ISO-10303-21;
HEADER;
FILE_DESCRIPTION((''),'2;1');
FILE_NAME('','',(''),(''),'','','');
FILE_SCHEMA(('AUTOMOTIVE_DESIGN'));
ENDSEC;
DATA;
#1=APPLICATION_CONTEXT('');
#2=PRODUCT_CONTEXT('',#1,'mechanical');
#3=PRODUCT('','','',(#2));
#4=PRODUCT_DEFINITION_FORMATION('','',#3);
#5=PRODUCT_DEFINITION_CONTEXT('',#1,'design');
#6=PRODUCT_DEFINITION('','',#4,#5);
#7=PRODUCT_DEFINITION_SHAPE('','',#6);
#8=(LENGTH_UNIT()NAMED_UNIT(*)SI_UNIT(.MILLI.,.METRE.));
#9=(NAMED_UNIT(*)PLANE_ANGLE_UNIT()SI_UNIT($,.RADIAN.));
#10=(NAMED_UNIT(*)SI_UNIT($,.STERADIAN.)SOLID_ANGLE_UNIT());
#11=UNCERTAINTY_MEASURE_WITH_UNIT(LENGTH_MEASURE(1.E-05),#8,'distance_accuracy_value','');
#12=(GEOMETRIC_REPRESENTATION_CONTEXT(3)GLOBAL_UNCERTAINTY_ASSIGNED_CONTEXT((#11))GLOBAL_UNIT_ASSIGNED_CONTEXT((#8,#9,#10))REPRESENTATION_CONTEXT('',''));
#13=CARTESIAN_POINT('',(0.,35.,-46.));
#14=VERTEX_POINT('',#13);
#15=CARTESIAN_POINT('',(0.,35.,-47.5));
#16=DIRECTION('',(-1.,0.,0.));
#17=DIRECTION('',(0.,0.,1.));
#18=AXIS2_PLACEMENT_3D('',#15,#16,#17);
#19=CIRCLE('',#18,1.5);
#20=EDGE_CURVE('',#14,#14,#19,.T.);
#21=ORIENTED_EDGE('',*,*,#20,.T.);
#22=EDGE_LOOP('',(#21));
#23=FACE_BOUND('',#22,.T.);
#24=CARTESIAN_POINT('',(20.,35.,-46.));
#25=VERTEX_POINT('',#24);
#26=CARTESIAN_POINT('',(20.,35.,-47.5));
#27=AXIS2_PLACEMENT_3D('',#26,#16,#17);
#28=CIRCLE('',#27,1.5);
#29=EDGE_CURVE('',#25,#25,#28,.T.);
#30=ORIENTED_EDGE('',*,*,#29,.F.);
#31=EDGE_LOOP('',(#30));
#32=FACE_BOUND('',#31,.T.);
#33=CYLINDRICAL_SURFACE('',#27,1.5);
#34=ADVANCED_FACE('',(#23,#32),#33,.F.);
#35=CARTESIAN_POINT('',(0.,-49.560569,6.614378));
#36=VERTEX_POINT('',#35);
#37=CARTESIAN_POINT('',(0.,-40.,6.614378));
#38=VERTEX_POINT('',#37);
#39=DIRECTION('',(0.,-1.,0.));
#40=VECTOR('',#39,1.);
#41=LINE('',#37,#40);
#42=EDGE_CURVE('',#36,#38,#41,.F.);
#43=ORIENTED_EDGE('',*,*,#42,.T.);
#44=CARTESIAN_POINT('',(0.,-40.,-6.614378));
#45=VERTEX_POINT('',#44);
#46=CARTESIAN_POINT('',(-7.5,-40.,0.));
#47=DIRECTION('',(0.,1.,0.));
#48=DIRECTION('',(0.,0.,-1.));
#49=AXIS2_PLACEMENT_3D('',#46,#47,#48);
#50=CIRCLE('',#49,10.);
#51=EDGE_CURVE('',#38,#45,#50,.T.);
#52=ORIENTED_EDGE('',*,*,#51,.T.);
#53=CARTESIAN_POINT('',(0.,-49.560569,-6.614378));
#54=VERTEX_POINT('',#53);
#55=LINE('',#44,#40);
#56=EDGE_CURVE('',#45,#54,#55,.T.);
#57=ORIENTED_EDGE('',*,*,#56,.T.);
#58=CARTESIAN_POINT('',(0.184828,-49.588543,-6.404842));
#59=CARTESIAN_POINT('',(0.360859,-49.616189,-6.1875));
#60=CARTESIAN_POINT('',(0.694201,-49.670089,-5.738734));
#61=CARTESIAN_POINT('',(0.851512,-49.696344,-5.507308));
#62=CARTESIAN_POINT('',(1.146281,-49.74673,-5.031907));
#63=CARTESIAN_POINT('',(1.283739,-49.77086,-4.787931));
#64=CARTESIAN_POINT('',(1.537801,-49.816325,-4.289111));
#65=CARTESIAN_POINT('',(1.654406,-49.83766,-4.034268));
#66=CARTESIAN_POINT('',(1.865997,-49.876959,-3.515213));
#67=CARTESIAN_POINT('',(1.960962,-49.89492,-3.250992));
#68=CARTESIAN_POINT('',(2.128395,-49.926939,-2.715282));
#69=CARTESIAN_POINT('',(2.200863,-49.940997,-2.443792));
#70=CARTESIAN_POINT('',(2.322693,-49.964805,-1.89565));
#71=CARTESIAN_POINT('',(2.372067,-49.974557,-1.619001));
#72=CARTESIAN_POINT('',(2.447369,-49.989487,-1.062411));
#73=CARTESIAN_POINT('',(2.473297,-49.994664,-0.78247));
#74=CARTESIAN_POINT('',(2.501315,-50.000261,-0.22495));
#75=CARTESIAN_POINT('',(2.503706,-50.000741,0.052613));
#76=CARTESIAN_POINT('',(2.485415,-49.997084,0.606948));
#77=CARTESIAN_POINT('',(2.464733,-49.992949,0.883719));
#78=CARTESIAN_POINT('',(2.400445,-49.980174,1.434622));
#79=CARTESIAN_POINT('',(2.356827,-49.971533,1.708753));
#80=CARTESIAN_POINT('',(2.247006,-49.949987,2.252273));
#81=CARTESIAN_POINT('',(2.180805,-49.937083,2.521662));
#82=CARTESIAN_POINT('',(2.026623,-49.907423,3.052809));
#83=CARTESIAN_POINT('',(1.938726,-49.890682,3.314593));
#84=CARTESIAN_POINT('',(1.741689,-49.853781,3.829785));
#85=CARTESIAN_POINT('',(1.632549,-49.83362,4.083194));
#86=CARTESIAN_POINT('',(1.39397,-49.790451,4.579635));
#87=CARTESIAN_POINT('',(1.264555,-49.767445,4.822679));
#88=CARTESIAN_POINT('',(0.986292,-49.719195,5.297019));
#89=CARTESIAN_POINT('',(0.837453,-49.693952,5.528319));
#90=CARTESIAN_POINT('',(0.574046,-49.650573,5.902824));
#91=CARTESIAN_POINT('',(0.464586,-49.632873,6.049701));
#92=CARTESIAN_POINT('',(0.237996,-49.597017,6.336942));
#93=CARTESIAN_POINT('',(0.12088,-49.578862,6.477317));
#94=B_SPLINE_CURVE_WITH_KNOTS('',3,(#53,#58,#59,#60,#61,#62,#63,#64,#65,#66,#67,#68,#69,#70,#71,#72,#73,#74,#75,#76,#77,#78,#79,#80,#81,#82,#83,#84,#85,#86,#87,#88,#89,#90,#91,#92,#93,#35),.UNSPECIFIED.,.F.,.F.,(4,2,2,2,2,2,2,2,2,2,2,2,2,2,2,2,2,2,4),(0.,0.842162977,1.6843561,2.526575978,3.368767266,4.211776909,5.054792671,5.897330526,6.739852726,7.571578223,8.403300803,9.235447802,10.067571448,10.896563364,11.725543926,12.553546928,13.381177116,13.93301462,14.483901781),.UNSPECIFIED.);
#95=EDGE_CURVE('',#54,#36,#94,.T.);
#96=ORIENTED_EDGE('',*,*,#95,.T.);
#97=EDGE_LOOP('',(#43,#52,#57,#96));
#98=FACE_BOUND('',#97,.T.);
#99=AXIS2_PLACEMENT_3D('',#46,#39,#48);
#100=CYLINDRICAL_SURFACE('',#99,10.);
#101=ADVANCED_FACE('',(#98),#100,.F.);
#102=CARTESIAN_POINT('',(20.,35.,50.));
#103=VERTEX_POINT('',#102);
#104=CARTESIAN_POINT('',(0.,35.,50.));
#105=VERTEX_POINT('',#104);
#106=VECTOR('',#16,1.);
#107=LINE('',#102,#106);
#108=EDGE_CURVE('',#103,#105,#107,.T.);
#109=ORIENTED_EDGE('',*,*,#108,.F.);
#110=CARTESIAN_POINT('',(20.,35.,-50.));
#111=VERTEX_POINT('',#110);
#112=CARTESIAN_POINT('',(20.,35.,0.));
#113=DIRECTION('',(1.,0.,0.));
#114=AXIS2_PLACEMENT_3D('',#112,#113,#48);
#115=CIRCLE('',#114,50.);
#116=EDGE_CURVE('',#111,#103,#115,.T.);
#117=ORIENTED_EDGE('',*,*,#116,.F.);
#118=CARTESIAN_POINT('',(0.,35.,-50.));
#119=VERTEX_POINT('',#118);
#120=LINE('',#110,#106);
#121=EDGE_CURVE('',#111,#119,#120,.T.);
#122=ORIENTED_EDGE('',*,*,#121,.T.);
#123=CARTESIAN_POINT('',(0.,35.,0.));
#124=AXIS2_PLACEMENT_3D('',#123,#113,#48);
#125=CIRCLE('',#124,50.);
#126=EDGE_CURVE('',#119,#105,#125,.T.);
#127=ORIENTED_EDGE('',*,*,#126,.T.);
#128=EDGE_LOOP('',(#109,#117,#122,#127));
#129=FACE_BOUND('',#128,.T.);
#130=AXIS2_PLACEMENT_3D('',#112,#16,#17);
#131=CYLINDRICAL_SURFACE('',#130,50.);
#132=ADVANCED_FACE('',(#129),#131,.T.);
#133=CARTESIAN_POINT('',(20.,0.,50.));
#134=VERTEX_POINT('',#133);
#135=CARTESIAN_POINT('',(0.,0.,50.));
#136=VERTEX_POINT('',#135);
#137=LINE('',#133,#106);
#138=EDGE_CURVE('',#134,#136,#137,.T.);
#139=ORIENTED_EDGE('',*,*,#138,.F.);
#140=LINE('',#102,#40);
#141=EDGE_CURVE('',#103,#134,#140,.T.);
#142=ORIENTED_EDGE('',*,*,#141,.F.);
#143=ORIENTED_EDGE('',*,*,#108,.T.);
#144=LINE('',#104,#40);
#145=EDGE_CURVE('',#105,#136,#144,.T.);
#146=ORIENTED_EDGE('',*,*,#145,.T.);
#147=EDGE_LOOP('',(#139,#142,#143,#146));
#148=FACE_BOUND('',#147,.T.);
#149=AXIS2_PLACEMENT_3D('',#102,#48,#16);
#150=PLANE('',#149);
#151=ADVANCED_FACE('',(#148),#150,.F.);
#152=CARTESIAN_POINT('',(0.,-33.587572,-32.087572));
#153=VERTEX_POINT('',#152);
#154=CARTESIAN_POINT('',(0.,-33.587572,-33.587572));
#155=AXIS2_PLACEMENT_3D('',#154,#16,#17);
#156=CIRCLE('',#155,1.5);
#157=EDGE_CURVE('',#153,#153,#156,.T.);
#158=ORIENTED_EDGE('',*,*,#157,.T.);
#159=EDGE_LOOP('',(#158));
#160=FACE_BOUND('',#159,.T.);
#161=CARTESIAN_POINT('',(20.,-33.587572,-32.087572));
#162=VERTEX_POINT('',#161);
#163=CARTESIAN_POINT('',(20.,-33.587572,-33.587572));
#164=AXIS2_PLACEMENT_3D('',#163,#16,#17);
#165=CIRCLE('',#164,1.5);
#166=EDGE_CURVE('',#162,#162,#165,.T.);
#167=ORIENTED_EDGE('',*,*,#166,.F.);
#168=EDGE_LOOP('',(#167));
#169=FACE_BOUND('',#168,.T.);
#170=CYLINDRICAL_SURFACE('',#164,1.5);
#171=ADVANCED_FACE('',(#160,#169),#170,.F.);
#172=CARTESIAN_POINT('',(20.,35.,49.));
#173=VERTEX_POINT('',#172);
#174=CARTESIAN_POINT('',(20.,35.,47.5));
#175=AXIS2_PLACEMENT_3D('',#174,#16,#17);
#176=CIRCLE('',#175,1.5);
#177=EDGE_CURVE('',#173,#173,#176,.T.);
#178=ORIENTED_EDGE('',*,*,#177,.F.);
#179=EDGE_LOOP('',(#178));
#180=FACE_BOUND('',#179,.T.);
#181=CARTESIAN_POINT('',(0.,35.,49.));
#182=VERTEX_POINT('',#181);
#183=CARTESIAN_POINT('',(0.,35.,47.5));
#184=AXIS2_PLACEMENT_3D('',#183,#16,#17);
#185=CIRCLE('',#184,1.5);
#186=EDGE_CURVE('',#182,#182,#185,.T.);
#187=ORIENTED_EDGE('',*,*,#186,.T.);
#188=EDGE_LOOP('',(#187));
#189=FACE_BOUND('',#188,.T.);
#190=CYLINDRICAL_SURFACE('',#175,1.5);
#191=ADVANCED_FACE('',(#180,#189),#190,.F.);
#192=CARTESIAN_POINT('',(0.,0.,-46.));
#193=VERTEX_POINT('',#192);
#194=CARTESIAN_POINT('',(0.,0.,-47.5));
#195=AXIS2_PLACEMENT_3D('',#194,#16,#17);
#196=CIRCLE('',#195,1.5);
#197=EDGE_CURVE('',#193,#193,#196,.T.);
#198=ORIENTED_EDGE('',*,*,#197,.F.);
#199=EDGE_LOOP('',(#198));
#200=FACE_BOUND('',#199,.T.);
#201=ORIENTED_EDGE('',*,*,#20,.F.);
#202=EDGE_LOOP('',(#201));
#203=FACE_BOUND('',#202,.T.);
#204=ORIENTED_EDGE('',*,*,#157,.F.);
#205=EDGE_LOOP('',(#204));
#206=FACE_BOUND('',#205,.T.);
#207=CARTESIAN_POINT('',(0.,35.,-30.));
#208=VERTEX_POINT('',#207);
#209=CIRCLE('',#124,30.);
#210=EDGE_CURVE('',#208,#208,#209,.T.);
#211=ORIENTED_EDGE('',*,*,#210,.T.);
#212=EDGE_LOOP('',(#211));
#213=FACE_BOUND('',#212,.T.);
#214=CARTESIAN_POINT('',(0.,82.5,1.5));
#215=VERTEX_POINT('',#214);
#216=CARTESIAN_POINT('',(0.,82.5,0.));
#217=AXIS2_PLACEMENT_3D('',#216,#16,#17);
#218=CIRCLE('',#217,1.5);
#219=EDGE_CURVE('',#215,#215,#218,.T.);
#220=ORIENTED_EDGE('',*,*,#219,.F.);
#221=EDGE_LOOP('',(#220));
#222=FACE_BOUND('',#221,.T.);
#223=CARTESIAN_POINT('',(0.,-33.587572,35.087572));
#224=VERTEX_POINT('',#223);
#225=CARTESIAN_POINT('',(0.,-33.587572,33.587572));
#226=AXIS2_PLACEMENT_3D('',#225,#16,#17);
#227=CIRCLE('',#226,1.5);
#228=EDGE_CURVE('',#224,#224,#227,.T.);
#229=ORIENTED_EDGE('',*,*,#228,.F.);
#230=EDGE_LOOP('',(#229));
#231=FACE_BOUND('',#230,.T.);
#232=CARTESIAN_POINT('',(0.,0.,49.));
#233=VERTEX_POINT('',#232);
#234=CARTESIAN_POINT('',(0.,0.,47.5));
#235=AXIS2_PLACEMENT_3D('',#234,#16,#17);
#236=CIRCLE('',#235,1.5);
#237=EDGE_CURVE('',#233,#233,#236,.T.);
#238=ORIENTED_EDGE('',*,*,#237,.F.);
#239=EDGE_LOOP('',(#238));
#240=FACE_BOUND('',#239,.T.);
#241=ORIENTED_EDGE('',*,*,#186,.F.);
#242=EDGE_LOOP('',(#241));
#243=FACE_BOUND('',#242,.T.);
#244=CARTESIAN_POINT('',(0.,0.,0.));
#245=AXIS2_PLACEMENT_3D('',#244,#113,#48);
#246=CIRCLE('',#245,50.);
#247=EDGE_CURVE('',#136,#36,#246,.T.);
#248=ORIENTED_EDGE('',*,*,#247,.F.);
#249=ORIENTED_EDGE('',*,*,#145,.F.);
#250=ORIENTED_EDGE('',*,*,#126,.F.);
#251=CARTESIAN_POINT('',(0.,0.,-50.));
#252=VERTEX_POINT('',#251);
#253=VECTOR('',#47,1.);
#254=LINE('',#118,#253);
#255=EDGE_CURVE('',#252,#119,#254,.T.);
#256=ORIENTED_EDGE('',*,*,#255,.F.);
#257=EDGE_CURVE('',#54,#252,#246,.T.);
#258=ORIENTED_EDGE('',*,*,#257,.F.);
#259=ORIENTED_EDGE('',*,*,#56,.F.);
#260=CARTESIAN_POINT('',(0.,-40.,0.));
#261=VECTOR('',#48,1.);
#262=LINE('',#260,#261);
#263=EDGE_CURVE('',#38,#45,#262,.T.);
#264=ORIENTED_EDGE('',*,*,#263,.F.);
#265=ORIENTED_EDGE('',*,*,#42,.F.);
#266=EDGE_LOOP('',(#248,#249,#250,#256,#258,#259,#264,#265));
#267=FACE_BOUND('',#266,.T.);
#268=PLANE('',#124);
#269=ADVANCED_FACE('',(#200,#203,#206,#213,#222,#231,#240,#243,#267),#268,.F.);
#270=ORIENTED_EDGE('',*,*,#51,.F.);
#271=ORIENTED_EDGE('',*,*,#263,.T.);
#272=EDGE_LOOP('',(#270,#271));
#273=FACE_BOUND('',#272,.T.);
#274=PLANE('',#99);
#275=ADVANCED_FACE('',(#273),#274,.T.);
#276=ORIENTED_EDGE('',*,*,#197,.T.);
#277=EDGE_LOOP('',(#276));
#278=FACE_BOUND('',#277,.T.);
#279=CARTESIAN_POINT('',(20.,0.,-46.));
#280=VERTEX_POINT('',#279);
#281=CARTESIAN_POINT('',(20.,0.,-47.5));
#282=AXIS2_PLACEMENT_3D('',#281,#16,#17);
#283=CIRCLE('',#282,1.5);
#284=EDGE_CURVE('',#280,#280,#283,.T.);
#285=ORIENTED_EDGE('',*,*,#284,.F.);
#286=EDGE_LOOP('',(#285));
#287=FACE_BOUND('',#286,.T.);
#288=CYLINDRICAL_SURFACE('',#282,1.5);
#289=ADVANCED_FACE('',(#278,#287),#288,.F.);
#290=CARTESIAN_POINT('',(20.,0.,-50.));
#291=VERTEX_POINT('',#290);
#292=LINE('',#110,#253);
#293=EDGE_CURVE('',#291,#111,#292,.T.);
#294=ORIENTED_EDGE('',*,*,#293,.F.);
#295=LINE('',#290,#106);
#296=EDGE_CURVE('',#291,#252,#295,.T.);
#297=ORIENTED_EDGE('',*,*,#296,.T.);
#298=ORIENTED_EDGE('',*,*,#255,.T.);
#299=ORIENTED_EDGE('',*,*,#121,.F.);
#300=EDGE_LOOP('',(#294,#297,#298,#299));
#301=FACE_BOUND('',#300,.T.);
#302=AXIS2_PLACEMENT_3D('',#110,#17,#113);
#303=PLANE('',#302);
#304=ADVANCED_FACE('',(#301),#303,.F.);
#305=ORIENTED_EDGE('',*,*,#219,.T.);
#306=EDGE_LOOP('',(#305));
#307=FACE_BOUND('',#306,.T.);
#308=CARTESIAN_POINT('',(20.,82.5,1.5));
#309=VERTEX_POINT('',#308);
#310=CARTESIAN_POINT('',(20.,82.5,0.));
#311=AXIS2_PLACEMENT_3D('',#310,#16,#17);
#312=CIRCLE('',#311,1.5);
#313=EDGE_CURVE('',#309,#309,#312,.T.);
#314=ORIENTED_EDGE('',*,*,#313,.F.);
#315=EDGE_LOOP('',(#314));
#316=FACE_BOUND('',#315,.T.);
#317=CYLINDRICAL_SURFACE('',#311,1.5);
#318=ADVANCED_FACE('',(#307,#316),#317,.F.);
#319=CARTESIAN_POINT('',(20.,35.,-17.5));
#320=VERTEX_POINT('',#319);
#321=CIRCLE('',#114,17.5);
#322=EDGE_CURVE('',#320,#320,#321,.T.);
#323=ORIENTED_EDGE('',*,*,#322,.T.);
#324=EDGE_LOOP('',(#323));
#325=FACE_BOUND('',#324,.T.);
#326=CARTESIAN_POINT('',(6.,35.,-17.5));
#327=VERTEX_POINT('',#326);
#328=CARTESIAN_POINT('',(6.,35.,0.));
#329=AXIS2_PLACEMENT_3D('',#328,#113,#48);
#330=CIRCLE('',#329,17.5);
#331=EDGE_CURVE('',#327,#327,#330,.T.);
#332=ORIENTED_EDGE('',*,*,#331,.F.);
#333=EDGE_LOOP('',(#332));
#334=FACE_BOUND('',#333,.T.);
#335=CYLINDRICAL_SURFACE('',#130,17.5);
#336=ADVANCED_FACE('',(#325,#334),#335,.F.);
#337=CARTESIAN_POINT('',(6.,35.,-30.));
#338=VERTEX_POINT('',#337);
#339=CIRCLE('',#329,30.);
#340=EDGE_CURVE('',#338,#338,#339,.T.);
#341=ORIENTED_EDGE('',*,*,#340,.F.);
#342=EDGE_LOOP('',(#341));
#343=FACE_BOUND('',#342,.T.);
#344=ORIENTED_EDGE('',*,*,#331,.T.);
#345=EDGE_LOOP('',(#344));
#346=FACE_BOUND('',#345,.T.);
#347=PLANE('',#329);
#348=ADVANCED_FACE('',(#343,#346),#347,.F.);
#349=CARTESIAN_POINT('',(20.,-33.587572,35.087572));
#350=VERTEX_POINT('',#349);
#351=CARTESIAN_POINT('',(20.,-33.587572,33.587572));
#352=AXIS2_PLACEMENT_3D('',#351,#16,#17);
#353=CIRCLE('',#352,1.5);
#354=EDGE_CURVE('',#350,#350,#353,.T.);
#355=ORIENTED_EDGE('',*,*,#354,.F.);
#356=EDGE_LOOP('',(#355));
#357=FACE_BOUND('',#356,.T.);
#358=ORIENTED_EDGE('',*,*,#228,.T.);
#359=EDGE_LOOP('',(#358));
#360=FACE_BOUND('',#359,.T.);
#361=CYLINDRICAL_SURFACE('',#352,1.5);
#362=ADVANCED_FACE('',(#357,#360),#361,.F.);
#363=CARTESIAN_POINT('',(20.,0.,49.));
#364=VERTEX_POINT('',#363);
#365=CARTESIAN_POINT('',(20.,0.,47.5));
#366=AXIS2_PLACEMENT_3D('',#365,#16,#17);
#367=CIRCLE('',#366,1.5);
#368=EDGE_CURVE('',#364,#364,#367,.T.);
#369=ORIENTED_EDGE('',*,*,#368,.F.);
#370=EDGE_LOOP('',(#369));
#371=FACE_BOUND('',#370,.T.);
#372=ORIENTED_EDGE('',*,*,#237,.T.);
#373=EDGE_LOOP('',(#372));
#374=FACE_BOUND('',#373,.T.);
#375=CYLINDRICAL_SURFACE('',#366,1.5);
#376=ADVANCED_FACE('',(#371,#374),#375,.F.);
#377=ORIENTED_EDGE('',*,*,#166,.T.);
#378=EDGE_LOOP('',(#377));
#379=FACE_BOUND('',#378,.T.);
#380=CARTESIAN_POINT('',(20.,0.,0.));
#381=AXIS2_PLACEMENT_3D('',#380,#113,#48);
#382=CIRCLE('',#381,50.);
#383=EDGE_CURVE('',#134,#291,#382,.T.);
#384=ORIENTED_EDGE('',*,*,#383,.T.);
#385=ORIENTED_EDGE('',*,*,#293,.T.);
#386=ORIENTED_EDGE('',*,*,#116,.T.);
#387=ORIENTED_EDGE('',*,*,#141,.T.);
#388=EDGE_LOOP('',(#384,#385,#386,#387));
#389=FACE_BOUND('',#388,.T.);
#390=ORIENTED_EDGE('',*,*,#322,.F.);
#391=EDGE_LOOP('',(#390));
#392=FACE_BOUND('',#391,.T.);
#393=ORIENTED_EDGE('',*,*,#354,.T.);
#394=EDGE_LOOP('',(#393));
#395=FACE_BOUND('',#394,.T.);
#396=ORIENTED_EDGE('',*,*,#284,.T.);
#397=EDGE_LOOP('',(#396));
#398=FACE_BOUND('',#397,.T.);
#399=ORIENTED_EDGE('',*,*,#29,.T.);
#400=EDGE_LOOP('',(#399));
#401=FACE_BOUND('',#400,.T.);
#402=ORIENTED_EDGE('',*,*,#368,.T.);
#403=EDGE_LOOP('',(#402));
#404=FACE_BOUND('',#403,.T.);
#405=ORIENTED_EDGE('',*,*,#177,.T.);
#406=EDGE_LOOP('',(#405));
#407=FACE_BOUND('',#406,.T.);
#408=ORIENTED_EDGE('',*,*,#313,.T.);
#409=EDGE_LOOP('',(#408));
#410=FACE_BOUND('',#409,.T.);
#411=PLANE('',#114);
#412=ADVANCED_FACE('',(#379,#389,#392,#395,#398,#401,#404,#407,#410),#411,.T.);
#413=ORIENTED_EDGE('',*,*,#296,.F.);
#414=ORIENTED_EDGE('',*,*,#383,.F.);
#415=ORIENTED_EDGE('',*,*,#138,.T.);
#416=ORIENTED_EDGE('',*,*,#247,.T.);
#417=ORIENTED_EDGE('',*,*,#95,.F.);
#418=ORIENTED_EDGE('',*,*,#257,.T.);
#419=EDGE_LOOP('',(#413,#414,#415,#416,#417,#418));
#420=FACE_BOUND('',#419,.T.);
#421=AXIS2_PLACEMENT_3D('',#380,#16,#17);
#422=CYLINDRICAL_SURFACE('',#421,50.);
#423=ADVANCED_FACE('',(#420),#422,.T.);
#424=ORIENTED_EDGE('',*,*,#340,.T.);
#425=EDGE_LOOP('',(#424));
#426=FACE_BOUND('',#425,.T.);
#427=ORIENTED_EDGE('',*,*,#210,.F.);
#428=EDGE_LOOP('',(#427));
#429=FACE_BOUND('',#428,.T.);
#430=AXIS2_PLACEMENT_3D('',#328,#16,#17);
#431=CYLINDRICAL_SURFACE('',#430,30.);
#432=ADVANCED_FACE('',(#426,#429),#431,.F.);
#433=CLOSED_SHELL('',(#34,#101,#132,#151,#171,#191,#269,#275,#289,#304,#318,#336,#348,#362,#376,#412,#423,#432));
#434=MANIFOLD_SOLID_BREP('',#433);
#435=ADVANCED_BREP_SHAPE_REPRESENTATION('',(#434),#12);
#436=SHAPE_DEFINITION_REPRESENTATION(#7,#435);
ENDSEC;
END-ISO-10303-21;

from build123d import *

# Parameters (mm, degrees)
CROQUIS1_R              = 17.5
SALIENTE_EXTRUIR1_DEPTH = 20
CROQUIS2_R              = 30
CORTAR_EXTRUIR1_DEPTH   = 6
CROQUIS3_R              = 10
CORTAR_EXTRUIR2_DEPTH   = 10
CROQUIS4_R              = 1.5
CORTAR_EXTRUIR3_DEPTH   = 101.623059057


with BuildPart() as part:
    # Croquis1 → Saliente-Extruir1 (new body)
    with BuildSketch(Plane(origin=(0, 0, 0), x_dir=(0, 0, -1), z_dir=(1, 0, 0))):
        with BuildLine():
            Line((-50, 35), (-50, 0))
            ThreePointArc((-50, 0), (0, -50), (50, 0))
            Line((50, 0), (50, 35))
            ThreePointArc((50, 35), (0, 85), (-50, 35))
        make_face()
        with Locations((0, 35)):
            Circle(CROQUIS1_R, mode=Mode.SUBTRACT)
    extrude(amount=SALIENTE_EXTRUIR1_DEPTH)

    # Croquis2 → Cortar-Extruir1 (cut)
    with BuildSketch(Plane(origin=(0, 0, 0), x_dir=(0, 0, -1), z_dir=(1, 0, 0))):
        with Locations((0, 35)):
            Circle(CROQUIS2_R)
    extrude(amount=CORTAR_EXTRUIR1_DEPTH, mode=Mode.SUBTRACT)

    # Croquis3 → Cortar-Extruir2 (cut)
    with BuildSketch(Plane(origin=(0, -50, 0), x_dir=(1, 0, 0), z_dir=(0, 1, 0))):
        with Locations((-7.5, 0)):
            Circle(CROQUIS3_R)
    extrude(amount=CORTAR_EXTRUIR2_DEPTH, mode=Mode.SUBTRACT)

    # Croquis4 → Cortar-Extruir3 (cut, through all)
    with BuildSketch(Plane.ZY):
        with Locations((0, 82.5)):
            Circle(CROQUIS4_R)
        with Locations((47.5, 35)):
            Circle(CROQUIS4_R)
        with Locations((-47.5, 35)):
            Circle(CROQUIS4_R)
        with Locations((-47.5, 0)):
            Circle(CROQUIS4_R)
        with Locations((47.5, 0)):
            Circle(CROQUIS4_R)
        with Locations((33.587572106, -33.587572106)):
            Circle(CROQUIS4_R)
        with Locations((-33.587572106, -33.587572106)):
            Circle(CROQUIS4_R)
    extrude(amount=-CORTAR_EXTRUIR3_DEPTH, mode=Mode.SUBTRACT)


solid = part.part
